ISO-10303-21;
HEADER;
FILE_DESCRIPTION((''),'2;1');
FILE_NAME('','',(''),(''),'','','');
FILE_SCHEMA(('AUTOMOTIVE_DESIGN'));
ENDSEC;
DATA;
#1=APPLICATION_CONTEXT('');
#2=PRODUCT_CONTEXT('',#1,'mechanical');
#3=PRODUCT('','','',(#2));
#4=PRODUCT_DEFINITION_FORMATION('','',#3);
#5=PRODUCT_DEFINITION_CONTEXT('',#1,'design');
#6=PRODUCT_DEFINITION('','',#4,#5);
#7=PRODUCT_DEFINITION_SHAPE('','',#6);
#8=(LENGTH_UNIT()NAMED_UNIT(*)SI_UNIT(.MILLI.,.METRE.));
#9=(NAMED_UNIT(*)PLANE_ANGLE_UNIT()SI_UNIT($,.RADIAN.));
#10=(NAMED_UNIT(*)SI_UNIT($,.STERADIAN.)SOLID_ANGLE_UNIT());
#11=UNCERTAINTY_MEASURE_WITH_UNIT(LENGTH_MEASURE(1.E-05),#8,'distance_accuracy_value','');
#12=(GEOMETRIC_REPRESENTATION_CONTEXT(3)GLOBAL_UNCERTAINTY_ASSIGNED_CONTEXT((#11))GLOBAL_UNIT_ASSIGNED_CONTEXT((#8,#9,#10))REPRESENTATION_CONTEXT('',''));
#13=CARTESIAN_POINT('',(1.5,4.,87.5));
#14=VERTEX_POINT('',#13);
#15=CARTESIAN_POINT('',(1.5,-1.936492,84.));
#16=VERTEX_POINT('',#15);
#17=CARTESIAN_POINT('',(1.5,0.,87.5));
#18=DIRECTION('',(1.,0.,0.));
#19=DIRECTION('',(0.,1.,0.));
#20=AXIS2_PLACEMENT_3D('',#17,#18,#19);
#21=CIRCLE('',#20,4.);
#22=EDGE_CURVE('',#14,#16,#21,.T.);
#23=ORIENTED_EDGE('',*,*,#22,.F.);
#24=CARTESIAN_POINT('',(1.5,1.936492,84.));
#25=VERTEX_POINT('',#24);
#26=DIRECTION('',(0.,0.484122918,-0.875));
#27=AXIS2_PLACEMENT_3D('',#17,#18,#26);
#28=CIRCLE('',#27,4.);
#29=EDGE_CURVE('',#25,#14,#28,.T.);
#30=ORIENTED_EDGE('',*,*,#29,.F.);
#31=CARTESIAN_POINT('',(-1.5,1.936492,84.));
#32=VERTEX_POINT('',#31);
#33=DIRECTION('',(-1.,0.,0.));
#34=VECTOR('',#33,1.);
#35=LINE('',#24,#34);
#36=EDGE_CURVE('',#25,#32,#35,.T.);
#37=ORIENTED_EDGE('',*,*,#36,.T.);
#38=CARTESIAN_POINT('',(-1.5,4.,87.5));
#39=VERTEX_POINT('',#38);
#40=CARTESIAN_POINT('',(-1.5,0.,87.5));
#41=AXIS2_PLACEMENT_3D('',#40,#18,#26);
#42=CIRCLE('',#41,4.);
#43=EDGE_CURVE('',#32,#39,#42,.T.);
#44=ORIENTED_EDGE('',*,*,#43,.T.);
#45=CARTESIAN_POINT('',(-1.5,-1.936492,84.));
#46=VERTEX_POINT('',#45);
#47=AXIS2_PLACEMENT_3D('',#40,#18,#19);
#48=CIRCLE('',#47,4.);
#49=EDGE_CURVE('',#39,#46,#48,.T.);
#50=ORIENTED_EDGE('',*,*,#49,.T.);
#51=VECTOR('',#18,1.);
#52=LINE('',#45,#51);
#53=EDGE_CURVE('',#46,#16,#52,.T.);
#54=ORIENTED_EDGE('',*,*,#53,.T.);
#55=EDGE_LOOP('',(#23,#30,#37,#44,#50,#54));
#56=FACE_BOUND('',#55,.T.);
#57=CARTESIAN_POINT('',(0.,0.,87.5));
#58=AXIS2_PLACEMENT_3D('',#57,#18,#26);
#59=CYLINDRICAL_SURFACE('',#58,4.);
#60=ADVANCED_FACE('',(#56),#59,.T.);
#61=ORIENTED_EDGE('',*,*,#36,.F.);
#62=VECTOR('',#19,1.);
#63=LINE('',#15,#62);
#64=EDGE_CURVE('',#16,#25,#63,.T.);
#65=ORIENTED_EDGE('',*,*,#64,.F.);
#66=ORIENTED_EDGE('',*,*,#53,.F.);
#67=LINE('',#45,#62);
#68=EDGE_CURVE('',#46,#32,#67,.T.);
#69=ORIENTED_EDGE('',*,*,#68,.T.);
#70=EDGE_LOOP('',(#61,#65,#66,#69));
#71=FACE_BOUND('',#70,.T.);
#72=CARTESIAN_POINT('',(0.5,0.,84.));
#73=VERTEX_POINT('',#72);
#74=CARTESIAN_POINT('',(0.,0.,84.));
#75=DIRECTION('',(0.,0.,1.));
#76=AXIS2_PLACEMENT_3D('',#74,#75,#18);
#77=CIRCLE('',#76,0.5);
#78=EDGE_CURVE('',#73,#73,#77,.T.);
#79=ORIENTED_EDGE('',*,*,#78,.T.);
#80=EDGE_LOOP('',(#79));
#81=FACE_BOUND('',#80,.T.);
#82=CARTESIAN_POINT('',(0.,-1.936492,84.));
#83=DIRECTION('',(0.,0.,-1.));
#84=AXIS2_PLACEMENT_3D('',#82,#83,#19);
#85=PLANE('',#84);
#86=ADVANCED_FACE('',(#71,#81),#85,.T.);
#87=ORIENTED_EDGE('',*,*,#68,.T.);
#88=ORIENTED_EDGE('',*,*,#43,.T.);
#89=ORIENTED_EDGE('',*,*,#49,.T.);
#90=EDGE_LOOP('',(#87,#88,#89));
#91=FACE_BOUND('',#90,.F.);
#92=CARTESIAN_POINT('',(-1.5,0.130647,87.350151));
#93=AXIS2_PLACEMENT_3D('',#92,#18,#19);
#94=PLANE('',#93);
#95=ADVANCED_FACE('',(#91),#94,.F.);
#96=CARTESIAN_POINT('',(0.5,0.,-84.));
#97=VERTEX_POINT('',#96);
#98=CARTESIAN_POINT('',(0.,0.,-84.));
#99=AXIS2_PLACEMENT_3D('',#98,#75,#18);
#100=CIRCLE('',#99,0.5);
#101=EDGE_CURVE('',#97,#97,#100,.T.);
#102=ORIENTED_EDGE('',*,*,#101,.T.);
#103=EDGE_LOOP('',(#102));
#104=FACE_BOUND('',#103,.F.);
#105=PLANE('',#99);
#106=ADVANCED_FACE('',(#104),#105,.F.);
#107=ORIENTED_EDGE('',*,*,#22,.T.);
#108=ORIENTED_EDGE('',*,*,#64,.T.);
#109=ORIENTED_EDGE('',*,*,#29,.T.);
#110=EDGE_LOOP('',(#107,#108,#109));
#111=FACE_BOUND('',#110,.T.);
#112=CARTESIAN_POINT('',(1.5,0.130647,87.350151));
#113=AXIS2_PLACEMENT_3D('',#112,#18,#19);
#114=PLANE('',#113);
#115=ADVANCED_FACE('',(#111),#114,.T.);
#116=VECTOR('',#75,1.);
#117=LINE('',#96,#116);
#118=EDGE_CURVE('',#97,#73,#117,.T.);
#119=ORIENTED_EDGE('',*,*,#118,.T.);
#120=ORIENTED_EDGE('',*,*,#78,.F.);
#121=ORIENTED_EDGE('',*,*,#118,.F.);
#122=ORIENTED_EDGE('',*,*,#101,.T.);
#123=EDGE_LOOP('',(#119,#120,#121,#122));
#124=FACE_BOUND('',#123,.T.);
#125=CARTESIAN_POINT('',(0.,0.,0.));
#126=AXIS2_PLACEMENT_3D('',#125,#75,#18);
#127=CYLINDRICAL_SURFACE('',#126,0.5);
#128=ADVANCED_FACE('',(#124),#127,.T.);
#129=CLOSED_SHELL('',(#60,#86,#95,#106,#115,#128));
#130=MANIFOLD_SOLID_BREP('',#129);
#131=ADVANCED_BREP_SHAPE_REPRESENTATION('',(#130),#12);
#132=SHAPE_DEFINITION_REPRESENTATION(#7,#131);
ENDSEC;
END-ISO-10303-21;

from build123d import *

# Parameters (mm, degrees)
F0_R     = 0.5
F1_DEPTH = 84
F3_DEPTH = 1.5


with BuildPart() as f1:
    # F0 (on Top) → F1 (new body, symmetric)
    with BuildSketch(Plane.XY):
        Circle(F0_R)
    extrude(amount=F1_DEPTH, both=True)

    # F2 (on Right) → F3 (join, symmetric)
    with BuildSketch(Plane.YZ):
        with BuildLine():
            ThreePointArc((1.9364916731, 84), (3.4457195687, 85.4684939937), (4, 87.5))
            ThreePointArc((4, 87.5), (-2.0315060063, 90.9457195687), (-1.9364916731, 84))
            Line((-1.9364916731, 84), (1.9364916731, 84))
        make_face()
    extrude(amount=F3_DEPTH, both=True)


solid = f1.part
